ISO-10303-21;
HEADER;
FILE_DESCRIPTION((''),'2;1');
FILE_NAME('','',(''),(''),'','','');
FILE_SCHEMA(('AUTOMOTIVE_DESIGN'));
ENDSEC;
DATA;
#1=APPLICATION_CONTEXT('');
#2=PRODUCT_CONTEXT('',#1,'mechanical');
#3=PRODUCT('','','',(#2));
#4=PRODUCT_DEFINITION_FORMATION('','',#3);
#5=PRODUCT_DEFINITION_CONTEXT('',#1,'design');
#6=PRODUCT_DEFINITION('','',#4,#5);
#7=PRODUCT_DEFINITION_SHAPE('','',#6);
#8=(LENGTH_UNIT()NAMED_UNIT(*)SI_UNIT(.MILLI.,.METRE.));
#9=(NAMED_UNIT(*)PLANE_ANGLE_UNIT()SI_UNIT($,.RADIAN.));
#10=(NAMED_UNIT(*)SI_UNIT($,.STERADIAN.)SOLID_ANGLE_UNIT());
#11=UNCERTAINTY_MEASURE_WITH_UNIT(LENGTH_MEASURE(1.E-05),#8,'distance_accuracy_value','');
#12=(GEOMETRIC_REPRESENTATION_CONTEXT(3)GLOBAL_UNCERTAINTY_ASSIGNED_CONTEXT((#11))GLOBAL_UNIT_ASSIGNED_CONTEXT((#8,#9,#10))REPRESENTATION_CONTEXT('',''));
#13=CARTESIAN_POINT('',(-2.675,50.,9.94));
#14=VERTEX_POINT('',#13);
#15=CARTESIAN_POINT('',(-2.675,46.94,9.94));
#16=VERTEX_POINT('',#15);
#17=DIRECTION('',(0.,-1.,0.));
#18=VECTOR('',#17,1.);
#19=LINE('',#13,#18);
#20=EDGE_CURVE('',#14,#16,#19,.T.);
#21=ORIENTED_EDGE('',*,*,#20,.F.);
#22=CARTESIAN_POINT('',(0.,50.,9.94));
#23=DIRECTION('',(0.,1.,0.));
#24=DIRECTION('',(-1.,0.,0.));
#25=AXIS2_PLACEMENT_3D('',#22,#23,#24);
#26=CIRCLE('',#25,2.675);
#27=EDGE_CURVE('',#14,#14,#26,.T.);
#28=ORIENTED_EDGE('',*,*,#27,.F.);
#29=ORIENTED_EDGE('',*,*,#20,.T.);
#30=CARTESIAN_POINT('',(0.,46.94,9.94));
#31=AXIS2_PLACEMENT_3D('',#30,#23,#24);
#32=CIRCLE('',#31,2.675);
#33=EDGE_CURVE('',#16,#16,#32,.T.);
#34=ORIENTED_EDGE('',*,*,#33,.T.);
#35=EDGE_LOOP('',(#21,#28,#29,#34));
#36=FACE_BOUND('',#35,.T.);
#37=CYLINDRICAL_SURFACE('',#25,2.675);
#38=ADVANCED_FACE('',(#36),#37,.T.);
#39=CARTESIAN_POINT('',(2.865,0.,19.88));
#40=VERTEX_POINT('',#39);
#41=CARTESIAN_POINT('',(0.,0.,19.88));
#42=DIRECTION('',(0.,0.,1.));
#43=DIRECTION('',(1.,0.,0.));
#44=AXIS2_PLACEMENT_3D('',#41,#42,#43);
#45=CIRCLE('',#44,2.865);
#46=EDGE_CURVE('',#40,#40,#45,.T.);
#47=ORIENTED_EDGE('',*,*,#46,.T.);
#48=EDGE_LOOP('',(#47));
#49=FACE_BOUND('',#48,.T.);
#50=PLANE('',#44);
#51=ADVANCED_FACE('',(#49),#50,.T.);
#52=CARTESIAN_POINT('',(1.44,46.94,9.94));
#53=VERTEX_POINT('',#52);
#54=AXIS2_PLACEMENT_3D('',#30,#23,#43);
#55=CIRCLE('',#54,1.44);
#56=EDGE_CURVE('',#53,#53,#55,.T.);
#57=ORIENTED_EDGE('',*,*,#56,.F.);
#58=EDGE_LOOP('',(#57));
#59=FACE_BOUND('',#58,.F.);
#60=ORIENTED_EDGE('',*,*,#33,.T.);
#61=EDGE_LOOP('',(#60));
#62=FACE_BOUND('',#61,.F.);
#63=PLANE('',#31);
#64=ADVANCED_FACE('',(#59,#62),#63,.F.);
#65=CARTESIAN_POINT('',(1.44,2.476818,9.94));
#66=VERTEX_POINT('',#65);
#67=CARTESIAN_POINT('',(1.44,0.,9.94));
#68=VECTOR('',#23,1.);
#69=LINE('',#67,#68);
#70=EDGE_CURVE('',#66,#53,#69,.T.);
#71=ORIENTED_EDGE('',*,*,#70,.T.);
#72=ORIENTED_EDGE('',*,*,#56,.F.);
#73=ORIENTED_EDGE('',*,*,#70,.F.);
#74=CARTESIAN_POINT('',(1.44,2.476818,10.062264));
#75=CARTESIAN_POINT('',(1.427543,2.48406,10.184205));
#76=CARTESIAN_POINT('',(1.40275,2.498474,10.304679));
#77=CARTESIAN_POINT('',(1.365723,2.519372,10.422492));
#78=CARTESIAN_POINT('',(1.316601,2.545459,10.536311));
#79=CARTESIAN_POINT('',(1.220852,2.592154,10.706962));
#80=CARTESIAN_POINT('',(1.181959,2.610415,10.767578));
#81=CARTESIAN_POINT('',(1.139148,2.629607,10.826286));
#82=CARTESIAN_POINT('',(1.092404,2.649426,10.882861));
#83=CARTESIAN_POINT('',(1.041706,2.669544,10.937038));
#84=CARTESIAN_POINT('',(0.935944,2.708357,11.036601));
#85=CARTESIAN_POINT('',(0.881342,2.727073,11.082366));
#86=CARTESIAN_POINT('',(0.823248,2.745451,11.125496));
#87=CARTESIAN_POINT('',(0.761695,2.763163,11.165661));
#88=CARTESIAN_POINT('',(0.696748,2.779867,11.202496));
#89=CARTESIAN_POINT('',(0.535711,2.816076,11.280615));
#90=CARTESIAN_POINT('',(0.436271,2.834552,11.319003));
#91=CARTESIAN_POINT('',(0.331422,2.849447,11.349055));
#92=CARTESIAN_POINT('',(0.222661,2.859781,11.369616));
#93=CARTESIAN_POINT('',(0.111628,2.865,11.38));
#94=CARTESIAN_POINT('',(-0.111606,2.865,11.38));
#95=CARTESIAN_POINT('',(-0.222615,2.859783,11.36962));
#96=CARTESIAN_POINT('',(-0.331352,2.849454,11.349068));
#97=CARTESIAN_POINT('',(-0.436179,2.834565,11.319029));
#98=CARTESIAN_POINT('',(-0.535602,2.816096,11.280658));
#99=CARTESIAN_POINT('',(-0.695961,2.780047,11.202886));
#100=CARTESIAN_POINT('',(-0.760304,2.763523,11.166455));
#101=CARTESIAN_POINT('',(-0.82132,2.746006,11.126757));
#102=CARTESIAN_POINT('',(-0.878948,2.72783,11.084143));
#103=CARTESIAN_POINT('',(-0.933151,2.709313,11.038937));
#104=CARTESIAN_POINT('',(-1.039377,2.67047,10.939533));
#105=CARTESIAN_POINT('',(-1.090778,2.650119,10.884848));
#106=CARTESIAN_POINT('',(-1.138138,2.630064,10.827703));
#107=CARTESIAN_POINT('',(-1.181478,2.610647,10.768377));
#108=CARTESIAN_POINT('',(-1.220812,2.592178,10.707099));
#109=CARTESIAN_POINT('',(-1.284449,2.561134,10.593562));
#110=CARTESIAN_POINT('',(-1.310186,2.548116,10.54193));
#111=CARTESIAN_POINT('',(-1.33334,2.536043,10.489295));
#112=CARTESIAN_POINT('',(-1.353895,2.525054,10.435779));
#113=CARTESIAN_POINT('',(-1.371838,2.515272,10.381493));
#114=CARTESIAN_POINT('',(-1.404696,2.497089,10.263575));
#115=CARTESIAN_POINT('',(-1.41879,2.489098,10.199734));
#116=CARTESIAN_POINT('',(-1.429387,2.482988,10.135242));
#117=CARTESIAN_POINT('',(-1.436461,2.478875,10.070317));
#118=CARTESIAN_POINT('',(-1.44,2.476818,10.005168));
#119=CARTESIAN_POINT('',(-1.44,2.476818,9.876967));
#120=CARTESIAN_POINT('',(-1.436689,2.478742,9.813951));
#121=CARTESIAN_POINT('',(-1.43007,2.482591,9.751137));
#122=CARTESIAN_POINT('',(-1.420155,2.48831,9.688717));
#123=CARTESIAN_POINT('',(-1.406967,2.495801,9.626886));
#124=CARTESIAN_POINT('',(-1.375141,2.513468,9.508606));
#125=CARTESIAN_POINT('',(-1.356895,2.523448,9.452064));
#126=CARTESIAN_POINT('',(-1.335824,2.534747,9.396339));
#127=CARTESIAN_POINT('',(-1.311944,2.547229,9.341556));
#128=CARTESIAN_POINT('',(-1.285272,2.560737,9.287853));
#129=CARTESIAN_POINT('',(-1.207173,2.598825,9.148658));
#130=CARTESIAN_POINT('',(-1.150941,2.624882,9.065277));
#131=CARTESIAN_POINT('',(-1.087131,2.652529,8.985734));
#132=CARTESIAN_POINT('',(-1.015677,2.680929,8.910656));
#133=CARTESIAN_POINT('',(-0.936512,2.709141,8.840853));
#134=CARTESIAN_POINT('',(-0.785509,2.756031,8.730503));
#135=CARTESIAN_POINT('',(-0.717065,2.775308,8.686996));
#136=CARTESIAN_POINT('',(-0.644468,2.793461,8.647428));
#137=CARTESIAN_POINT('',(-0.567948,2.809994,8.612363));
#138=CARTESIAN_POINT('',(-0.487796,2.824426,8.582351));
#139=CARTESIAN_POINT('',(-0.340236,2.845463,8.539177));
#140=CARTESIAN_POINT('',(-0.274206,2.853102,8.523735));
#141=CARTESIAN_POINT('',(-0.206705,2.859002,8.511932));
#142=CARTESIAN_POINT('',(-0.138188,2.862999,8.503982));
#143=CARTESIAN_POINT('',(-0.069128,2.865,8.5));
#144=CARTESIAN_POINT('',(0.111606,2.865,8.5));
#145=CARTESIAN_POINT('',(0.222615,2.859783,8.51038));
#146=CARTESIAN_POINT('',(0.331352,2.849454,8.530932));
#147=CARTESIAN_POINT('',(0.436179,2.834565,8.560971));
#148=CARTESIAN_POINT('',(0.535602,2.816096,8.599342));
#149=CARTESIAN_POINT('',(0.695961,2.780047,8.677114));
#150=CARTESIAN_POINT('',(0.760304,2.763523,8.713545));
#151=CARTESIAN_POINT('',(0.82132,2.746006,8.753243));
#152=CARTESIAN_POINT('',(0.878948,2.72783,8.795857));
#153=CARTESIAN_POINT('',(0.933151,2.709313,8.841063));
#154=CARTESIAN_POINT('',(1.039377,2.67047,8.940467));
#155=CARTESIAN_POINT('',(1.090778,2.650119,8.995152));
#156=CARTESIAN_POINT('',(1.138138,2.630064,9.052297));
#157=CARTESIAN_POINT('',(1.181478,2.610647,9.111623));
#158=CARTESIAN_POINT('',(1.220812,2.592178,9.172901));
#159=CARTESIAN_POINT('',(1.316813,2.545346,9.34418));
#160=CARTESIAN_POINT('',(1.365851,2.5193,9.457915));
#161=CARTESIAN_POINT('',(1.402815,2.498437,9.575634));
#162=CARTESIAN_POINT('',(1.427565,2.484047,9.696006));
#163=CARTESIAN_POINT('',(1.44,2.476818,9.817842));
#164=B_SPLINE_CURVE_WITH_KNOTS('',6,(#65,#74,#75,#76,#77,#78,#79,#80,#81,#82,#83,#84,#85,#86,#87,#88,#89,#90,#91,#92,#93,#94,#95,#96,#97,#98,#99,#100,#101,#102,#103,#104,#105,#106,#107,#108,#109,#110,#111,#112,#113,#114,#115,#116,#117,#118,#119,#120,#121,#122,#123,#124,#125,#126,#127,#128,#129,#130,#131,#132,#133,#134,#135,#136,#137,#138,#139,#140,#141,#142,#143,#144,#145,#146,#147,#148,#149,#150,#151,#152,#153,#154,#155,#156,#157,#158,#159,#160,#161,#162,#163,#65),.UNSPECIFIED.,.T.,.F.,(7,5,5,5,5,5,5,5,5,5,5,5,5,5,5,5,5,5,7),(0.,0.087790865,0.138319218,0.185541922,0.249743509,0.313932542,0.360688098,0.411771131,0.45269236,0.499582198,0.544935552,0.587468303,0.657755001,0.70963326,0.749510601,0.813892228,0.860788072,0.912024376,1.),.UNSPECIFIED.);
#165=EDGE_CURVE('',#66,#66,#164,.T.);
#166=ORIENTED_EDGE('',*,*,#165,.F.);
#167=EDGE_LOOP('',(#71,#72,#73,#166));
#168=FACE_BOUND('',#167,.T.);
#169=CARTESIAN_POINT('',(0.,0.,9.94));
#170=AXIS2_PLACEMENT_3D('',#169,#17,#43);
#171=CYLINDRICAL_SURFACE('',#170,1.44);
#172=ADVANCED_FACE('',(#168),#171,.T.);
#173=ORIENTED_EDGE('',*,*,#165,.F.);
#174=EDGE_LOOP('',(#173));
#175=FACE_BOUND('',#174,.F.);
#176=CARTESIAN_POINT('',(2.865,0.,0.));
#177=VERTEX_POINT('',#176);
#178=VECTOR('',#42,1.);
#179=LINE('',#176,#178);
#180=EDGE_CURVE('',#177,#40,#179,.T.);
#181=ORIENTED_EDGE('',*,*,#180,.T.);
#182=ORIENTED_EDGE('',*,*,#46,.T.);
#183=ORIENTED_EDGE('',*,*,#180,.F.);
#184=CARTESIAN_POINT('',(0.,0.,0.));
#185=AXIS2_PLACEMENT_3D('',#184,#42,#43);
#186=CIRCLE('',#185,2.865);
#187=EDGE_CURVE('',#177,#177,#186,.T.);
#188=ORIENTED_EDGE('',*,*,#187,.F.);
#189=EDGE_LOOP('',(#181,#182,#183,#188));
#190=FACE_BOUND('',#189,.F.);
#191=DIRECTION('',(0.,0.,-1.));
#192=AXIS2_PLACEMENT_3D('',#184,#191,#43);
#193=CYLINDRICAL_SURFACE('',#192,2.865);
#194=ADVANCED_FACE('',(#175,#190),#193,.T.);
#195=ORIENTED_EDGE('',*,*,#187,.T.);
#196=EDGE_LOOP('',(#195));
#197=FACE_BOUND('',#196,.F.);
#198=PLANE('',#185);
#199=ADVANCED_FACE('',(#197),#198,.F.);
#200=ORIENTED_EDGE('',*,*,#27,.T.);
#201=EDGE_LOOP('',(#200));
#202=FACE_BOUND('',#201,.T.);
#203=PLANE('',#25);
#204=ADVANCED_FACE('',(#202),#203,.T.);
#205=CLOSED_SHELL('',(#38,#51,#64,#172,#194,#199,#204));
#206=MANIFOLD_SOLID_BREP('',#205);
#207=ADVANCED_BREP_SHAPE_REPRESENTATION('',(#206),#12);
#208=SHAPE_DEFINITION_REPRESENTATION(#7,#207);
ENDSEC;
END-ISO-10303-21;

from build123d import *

# Parameters (mm, degrees)
F0_R     = 2.865
F1_DEPTH = 19.88
F3_R     = 1.44
F4_DEPTH = 50
F5_R     = 2.675
F5_R_2   = 1.44
F6_DEPTH = 3.06


with BuildPart() as f1:
    # F0 (on Top) → F1 (new body)
    with BuildSketch(Plane.XY):
        Circle(F0_R)
    extrude(amount=F1_DEPTH)

    # F3 (on Front) → F4 (join)
    with BuildSketch(Plane.XZ):
        with Locations((0, 9.94)):
            Circle(F3_R)
    extrude(amount=-F4_DEPTH)

    # F5 (on face) → F6 (join)
    with BuildSketch(Plane(origin=(0, 50, 0), x_dir=(-1, 0, 0), z_dir=(0, 1, 0))):
        with Locations((0, 9.94)):
            Circle(F5_R)
        with Locations((0, 9.94)):
            Circle(F5_R_2, mode=Mode.SUBTRACT)
    extrude(amount=-F6_DEPTH)


solid = f1.part
